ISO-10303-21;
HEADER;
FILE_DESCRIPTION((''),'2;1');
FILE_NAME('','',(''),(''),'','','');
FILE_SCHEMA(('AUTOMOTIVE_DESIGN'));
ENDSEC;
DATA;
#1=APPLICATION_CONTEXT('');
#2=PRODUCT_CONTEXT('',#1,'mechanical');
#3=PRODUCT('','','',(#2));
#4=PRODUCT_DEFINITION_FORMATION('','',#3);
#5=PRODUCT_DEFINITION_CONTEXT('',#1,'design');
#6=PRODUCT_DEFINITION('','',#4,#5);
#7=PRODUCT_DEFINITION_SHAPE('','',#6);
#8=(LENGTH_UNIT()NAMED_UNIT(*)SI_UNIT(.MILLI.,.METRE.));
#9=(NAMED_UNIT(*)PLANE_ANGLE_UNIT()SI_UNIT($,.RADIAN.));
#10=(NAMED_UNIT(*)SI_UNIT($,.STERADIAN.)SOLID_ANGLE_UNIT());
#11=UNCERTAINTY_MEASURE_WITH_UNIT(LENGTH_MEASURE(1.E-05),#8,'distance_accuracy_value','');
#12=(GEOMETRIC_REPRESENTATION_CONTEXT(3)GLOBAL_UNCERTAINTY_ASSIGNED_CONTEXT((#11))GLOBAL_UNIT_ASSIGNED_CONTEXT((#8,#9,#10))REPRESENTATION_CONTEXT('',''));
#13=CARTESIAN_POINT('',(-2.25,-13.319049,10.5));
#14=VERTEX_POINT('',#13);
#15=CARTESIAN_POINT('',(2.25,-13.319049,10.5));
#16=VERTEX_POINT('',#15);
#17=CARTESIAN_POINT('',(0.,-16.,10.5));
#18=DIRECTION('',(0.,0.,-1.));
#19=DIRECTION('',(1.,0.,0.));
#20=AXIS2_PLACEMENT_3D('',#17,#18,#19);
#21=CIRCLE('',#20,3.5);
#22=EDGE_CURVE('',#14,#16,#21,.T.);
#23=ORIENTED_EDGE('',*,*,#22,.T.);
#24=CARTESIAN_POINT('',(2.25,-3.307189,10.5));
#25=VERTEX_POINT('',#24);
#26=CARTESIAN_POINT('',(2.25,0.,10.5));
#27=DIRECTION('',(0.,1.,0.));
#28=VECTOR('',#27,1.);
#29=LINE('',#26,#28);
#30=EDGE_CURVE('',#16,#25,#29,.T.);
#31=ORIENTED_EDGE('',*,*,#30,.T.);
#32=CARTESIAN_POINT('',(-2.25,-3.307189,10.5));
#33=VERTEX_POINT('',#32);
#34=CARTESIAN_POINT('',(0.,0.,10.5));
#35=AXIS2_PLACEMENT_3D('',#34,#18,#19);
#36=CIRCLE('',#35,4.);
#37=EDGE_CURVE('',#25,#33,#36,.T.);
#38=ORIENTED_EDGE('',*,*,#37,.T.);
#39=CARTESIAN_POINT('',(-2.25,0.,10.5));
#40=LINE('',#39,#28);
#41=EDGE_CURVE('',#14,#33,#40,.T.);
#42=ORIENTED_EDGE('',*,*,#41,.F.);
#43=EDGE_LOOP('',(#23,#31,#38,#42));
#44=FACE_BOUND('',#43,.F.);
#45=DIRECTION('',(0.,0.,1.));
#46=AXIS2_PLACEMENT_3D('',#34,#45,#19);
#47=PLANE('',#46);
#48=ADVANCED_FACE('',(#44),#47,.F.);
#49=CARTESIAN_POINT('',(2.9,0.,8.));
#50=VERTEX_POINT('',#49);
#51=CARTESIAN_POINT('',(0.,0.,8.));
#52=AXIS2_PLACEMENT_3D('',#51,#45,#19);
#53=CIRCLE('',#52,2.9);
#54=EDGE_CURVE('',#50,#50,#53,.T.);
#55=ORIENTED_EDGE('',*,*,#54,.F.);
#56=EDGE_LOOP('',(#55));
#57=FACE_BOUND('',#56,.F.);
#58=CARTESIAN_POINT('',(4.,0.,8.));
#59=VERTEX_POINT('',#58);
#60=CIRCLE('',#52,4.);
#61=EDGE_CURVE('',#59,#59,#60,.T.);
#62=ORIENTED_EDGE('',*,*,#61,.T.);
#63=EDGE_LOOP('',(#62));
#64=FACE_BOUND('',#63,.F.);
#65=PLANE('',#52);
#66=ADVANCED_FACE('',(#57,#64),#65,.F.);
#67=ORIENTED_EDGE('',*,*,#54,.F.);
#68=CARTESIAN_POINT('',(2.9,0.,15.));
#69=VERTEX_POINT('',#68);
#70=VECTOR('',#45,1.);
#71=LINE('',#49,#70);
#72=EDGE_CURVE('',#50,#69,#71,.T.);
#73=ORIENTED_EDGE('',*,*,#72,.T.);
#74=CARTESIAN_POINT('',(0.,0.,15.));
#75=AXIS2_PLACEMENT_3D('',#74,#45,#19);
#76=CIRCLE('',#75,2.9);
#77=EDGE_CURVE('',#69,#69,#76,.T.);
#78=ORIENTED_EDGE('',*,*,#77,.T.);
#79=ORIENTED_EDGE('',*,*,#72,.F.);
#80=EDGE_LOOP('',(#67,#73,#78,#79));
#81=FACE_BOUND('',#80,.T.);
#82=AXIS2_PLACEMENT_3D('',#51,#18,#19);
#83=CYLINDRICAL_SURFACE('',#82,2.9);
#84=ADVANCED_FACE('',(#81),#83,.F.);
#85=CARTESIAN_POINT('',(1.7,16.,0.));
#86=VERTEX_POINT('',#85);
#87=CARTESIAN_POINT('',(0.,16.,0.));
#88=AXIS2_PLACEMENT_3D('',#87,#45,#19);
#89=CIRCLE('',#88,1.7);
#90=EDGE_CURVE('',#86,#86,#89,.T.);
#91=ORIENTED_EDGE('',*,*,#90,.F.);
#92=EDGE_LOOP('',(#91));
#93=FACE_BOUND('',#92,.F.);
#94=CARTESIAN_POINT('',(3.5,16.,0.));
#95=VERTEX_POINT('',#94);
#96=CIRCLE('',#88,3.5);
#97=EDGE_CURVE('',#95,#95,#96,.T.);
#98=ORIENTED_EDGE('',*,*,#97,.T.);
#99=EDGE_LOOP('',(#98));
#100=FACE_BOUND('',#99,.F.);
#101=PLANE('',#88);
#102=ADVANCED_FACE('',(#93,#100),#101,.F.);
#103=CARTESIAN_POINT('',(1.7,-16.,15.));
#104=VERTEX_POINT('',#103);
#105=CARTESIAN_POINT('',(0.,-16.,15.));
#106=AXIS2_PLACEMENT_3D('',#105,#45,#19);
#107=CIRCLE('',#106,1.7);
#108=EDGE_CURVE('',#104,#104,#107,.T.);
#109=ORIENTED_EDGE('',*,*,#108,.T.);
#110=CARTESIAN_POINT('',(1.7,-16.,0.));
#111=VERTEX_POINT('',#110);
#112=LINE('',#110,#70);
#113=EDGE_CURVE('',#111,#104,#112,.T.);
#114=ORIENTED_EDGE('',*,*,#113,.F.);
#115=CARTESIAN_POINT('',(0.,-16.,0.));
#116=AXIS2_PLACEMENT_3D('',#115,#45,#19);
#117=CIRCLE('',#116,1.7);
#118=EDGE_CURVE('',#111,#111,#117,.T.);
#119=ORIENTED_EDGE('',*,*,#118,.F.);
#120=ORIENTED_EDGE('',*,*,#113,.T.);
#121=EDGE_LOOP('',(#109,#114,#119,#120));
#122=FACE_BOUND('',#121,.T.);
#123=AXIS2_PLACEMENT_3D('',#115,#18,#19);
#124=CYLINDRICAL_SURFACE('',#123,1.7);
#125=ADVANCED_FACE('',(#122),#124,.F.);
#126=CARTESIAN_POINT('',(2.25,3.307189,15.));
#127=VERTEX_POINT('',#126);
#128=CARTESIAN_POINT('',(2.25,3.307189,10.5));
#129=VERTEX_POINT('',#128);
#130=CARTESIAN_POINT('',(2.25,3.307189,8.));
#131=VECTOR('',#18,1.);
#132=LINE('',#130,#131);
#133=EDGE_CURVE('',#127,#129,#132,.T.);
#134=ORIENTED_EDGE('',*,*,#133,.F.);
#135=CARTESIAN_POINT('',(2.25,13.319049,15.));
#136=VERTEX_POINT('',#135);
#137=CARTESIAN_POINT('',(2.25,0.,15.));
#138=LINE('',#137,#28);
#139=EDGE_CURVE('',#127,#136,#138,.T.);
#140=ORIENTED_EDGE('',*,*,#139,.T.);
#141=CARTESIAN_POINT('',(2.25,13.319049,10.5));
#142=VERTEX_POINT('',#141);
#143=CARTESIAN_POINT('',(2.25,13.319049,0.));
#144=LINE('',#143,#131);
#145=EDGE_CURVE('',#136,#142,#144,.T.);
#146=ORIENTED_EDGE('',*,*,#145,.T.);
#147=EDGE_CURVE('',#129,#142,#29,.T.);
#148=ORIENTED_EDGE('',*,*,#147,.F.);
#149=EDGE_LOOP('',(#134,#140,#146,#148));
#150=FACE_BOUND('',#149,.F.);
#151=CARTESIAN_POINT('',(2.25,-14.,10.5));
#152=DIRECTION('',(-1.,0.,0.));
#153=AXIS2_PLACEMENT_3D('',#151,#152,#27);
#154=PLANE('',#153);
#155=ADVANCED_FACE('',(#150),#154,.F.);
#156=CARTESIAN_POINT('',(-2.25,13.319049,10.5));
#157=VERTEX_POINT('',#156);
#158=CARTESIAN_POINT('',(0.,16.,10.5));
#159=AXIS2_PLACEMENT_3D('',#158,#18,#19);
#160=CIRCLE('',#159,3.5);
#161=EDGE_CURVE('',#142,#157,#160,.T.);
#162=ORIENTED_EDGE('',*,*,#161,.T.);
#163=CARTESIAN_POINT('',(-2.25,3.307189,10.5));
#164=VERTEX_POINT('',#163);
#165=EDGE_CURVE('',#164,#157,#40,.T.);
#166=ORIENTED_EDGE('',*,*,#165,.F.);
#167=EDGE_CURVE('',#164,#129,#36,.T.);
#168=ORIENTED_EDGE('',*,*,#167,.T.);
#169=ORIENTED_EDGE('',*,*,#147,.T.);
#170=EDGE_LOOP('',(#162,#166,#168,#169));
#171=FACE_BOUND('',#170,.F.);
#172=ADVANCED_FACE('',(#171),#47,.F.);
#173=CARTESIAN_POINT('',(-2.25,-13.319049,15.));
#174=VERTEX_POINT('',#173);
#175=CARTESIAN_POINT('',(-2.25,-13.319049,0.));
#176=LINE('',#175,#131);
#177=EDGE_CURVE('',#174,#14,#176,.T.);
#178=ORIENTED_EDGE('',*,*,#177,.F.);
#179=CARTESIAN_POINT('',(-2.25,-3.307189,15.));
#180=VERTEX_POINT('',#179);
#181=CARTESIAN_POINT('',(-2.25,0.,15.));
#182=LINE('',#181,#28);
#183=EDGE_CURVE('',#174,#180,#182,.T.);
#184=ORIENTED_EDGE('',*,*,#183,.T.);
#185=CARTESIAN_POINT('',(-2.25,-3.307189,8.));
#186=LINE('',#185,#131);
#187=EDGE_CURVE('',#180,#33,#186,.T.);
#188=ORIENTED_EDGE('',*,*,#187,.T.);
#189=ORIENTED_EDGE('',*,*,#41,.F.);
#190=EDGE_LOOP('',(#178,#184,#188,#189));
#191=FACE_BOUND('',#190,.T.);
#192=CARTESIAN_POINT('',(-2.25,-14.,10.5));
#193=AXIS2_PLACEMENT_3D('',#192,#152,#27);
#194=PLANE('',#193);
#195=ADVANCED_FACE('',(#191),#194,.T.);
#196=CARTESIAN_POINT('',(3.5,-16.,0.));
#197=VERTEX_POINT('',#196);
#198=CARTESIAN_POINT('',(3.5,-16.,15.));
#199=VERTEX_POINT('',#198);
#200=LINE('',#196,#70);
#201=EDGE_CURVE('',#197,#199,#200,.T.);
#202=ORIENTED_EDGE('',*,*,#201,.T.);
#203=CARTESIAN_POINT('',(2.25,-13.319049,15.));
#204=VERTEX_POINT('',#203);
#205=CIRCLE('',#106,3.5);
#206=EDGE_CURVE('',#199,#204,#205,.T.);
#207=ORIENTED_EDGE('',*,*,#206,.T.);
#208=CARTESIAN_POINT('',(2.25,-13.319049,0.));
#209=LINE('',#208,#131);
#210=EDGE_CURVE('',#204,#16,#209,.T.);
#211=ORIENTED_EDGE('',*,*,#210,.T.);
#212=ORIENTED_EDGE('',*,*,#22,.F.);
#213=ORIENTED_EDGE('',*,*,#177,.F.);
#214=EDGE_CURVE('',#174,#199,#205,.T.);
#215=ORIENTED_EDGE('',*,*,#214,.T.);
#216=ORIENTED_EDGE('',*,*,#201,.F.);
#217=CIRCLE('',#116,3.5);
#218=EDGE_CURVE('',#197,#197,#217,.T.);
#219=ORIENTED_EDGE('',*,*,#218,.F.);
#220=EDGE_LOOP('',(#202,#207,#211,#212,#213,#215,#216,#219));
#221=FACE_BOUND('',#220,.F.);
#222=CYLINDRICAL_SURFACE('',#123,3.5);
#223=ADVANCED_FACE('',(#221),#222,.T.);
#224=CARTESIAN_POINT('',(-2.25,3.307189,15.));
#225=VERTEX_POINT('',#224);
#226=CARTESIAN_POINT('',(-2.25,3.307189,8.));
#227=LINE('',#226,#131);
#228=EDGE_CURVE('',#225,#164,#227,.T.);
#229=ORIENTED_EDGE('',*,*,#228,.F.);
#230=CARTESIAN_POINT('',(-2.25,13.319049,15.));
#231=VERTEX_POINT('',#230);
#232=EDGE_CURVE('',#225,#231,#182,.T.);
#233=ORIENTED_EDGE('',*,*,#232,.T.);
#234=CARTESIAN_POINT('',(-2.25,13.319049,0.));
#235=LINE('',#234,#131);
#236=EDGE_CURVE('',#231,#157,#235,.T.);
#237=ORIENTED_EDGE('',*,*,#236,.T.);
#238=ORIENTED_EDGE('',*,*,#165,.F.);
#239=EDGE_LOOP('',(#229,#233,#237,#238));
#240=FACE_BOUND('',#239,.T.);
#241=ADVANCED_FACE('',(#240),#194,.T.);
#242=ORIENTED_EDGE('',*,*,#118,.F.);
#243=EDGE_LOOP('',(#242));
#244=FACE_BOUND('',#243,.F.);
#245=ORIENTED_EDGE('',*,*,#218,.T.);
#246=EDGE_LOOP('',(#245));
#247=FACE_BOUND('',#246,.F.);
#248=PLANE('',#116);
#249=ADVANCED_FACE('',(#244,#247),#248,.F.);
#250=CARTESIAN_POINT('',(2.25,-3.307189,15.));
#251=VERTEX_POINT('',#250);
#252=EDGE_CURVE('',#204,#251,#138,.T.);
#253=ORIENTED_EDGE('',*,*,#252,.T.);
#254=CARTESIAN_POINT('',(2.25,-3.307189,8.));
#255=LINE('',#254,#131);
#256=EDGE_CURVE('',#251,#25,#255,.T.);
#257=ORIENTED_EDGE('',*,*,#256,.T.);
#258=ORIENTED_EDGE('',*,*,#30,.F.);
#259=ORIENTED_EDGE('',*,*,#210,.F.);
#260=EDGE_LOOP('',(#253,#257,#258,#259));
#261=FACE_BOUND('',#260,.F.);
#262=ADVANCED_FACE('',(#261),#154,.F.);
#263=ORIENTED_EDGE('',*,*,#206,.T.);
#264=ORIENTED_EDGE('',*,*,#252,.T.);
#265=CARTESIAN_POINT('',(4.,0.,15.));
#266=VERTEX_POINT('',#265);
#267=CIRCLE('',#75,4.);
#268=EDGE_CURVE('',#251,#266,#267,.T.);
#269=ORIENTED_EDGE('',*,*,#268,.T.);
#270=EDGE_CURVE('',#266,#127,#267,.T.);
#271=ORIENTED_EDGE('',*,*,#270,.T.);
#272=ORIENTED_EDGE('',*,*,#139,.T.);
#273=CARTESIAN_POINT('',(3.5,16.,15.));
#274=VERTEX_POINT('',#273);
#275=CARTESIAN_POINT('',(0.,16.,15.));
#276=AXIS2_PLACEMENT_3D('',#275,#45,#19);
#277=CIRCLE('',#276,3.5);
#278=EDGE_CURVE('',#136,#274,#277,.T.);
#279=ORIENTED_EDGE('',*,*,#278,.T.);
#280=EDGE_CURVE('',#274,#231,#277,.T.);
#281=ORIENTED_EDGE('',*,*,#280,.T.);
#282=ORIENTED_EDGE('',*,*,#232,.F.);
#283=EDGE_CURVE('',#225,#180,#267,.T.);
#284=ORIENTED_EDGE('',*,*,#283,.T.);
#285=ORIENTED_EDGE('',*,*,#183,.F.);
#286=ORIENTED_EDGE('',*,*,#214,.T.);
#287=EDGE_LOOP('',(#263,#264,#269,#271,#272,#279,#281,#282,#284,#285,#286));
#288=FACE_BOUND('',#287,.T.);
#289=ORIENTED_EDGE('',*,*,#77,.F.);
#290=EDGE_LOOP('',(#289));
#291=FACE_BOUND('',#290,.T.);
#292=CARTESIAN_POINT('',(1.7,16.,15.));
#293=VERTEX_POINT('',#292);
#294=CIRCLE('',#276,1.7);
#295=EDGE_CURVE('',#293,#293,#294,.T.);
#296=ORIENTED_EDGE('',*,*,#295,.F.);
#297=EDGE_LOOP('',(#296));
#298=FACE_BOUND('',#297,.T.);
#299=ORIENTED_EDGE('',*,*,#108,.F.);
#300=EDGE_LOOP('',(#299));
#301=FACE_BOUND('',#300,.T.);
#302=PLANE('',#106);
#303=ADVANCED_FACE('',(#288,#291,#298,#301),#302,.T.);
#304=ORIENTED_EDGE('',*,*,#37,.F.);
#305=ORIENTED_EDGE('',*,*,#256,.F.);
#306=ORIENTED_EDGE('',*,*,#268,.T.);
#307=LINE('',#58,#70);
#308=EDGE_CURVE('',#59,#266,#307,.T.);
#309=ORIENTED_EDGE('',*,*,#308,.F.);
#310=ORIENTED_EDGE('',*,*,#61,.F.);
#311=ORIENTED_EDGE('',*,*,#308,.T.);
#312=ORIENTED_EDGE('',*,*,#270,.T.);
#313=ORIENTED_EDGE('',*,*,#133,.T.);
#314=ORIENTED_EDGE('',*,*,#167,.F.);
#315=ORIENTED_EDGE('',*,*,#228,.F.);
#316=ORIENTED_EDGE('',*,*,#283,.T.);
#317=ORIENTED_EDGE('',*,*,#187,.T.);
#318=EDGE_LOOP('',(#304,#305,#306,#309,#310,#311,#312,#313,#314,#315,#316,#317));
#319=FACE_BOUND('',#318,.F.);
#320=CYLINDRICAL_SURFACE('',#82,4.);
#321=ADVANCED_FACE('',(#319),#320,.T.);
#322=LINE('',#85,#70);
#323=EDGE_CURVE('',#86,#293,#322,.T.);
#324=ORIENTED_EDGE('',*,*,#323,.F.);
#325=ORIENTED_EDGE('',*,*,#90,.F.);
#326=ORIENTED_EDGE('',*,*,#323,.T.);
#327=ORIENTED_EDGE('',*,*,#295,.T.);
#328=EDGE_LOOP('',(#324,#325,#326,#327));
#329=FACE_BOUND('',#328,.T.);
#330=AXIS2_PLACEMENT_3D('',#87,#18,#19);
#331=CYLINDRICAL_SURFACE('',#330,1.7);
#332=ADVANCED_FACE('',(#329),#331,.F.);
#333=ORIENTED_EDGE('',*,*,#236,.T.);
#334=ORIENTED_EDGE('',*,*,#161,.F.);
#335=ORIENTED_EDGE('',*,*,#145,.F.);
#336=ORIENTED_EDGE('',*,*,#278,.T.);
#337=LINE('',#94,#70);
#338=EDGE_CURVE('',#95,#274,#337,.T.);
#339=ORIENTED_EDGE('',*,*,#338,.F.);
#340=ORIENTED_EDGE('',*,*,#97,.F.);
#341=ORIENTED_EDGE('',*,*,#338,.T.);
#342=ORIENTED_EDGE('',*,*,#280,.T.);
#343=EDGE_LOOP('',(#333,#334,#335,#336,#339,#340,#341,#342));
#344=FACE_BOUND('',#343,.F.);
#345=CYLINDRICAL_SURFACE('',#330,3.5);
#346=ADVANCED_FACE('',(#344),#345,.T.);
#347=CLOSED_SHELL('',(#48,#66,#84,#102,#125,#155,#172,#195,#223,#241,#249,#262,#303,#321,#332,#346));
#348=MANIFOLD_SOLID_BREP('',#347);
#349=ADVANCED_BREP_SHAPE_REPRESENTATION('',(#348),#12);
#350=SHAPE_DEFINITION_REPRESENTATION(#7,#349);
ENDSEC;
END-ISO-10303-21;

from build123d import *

# Parameters (mm, degrees)
CYLINDER001_R     = 1.7
CYLINDER001_DEPTH = 15
CYLINDER_R        = 3.5
CYLINDER_DEPTH    = 15
CYLINDER002_R     = 2.9
CYLINDER002_DEPTH = 7
BOX_W             = 4.5
BOX_H             = 28
BOX_DEPTH         = 4.5
CYLINDER003_R     = 4
CYLINDER003_DEPTH = 7


with BuildPart() as leg_inner:
    # Cylinder001 → Cylinder001 (new body)
    with BuildSketch(Plane(origin=(0, -16, 0), x_dir=(1, 0, 0), z_dir=(0, 0, 1))):
        Circle(CYLINDER001_R)
    extrude(amount=CYLINDER001_DEPTH)


with BuildPart() as leg_outer:
    # Cylinder → Cylinder (new body)
    with BuildSketch(Plane(origin=(0, -16, 0), x_dir=(1, 0, 0), z_dir=(0, 0, 1))):
        Circle(CYLINDER_R)
    extrude(amount=CYLINDER_DEPTH)


with BuildPart() as rough_leg_r:
    # Cut001 base: copy of leg_outer
    add(leg_outer.part)

    # Cut001: cut leg_inner
    add(leg_inner.part, mode=Mode.SUBTRACT)


with BuildPart() as rough_leg_r_1:
    # Cut001 placement: moved
    add(rough_leg_r.part.moved(Location((0, 32, 0))))


with BuildPart() as tubing_bore:
    # Cylinder002 → Cylinder002 (new body)
    with BuildSketch(Plane.XY.offset(8)):
        Circle(CYLINDER002_R)
    extrude(amount=CYLINDER002_DEPTH)


with BuildPart() as rough_arch:
    # Box → Box (new body)
    with BuildSketch(Plane(origin=(-2.25, -14, 10.5), x_dir=(1, 0, 0), z_dir=(0, 0, 1))):
        with Locations((2.25, 14)):
            Rectangle(BOX_W, BOX_H)
    extrude(amount=BOX_DEPTH)


with BuildPart() as center:
    # Cylinder003 → Cylinder003 (new body)
    with BuildSketch(Plane.XY.offset(8)):
        Circle(CYLINDER003_R)
    extrude(amount=CYLINDER003_DEPTH)

    # Fusion: union rough_arch
    add(rough_arch.part)

    # Cut002: cut tubing_bore
    add(tubing_bore.part, mode=Mode.SUBTRACT)


with BuildPart() as rough_tubing_support:
    # Cut base: copy of leg_outer
    add(leg_outer.part)

    # Cut: cut leg_inner
    add(leg_inner.part, mode=Mode.SUBTRACT)

    # Fusion001: union rough_leg_r, center
    add(rough_leg_r_1.part)
    add(center.part)


solid = rough_tubing_support.part
